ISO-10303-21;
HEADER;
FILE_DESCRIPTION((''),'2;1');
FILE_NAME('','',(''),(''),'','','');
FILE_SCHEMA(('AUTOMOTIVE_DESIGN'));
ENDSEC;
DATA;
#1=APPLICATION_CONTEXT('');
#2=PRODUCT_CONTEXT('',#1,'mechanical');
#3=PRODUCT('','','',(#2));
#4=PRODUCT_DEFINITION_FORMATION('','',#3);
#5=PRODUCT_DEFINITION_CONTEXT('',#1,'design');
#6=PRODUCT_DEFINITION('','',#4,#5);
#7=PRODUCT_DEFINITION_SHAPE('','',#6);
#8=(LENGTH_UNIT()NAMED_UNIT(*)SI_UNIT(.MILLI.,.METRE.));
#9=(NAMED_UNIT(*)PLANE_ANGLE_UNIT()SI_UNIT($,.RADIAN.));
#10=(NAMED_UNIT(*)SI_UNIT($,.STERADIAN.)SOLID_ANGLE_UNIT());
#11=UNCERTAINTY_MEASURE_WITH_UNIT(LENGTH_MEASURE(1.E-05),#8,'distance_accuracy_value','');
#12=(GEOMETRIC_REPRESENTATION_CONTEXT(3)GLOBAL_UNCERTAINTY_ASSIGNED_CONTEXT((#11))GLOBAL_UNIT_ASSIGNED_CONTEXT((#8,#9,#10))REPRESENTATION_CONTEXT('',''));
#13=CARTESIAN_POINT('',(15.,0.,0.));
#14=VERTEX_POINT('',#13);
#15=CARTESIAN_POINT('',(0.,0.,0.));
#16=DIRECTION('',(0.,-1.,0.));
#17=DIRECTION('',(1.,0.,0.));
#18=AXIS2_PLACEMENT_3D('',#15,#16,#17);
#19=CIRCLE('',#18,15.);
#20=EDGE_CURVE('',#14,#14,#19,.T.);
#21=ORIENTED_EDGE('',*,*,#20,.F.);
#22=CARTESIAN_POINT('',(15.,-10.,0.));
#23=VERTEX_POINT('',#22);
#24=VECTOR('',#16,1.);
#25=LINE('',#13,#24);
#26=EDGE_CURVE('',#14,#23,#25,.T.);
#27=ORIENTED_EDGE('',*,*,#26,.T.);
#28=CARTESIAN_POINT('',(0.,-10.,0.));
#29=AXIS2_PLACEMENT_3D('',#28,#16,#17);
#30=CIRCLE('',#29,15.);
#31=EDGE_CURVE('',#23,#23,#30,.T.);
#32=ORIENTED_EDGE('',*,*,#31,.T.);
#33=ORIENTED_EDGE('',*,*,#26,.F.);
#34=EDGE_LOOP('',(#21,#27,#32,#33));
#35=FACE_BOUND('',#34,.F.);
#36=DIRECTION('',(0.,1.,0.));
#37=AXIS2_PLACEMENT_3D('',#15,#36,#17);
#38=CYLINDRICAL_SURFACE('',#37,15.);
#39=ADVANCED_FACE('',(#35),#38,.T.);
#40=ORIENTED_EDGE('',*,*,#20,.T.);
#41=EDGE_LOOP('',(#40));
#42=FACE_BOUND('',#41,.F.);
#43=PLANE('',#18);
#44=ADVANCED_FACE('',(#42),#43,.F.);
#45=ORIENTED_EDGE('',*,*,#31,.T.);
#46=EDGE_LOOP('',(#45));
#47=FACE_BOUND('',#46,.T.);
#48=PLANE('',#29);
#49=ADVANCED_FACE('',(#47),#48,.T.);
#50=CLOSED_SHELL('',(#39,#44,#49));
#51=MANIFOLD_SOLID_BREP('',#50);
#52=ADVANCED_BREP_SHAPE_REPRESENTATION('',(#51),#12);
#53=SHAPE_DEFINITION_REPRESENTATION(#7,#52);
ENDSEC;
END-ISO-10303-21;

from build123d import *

# Parameters (mm, degrees)
SKETCH_R  = 15
PAD_DEPTH = 10


with BuildPart() as part:
    # Sketch → Pad (new body)
    with BuildSketch(Plane.XZ):
        Circle(SKETCH_R)
    extrude(amount=PAD_DEPTH)


solid = part.part
